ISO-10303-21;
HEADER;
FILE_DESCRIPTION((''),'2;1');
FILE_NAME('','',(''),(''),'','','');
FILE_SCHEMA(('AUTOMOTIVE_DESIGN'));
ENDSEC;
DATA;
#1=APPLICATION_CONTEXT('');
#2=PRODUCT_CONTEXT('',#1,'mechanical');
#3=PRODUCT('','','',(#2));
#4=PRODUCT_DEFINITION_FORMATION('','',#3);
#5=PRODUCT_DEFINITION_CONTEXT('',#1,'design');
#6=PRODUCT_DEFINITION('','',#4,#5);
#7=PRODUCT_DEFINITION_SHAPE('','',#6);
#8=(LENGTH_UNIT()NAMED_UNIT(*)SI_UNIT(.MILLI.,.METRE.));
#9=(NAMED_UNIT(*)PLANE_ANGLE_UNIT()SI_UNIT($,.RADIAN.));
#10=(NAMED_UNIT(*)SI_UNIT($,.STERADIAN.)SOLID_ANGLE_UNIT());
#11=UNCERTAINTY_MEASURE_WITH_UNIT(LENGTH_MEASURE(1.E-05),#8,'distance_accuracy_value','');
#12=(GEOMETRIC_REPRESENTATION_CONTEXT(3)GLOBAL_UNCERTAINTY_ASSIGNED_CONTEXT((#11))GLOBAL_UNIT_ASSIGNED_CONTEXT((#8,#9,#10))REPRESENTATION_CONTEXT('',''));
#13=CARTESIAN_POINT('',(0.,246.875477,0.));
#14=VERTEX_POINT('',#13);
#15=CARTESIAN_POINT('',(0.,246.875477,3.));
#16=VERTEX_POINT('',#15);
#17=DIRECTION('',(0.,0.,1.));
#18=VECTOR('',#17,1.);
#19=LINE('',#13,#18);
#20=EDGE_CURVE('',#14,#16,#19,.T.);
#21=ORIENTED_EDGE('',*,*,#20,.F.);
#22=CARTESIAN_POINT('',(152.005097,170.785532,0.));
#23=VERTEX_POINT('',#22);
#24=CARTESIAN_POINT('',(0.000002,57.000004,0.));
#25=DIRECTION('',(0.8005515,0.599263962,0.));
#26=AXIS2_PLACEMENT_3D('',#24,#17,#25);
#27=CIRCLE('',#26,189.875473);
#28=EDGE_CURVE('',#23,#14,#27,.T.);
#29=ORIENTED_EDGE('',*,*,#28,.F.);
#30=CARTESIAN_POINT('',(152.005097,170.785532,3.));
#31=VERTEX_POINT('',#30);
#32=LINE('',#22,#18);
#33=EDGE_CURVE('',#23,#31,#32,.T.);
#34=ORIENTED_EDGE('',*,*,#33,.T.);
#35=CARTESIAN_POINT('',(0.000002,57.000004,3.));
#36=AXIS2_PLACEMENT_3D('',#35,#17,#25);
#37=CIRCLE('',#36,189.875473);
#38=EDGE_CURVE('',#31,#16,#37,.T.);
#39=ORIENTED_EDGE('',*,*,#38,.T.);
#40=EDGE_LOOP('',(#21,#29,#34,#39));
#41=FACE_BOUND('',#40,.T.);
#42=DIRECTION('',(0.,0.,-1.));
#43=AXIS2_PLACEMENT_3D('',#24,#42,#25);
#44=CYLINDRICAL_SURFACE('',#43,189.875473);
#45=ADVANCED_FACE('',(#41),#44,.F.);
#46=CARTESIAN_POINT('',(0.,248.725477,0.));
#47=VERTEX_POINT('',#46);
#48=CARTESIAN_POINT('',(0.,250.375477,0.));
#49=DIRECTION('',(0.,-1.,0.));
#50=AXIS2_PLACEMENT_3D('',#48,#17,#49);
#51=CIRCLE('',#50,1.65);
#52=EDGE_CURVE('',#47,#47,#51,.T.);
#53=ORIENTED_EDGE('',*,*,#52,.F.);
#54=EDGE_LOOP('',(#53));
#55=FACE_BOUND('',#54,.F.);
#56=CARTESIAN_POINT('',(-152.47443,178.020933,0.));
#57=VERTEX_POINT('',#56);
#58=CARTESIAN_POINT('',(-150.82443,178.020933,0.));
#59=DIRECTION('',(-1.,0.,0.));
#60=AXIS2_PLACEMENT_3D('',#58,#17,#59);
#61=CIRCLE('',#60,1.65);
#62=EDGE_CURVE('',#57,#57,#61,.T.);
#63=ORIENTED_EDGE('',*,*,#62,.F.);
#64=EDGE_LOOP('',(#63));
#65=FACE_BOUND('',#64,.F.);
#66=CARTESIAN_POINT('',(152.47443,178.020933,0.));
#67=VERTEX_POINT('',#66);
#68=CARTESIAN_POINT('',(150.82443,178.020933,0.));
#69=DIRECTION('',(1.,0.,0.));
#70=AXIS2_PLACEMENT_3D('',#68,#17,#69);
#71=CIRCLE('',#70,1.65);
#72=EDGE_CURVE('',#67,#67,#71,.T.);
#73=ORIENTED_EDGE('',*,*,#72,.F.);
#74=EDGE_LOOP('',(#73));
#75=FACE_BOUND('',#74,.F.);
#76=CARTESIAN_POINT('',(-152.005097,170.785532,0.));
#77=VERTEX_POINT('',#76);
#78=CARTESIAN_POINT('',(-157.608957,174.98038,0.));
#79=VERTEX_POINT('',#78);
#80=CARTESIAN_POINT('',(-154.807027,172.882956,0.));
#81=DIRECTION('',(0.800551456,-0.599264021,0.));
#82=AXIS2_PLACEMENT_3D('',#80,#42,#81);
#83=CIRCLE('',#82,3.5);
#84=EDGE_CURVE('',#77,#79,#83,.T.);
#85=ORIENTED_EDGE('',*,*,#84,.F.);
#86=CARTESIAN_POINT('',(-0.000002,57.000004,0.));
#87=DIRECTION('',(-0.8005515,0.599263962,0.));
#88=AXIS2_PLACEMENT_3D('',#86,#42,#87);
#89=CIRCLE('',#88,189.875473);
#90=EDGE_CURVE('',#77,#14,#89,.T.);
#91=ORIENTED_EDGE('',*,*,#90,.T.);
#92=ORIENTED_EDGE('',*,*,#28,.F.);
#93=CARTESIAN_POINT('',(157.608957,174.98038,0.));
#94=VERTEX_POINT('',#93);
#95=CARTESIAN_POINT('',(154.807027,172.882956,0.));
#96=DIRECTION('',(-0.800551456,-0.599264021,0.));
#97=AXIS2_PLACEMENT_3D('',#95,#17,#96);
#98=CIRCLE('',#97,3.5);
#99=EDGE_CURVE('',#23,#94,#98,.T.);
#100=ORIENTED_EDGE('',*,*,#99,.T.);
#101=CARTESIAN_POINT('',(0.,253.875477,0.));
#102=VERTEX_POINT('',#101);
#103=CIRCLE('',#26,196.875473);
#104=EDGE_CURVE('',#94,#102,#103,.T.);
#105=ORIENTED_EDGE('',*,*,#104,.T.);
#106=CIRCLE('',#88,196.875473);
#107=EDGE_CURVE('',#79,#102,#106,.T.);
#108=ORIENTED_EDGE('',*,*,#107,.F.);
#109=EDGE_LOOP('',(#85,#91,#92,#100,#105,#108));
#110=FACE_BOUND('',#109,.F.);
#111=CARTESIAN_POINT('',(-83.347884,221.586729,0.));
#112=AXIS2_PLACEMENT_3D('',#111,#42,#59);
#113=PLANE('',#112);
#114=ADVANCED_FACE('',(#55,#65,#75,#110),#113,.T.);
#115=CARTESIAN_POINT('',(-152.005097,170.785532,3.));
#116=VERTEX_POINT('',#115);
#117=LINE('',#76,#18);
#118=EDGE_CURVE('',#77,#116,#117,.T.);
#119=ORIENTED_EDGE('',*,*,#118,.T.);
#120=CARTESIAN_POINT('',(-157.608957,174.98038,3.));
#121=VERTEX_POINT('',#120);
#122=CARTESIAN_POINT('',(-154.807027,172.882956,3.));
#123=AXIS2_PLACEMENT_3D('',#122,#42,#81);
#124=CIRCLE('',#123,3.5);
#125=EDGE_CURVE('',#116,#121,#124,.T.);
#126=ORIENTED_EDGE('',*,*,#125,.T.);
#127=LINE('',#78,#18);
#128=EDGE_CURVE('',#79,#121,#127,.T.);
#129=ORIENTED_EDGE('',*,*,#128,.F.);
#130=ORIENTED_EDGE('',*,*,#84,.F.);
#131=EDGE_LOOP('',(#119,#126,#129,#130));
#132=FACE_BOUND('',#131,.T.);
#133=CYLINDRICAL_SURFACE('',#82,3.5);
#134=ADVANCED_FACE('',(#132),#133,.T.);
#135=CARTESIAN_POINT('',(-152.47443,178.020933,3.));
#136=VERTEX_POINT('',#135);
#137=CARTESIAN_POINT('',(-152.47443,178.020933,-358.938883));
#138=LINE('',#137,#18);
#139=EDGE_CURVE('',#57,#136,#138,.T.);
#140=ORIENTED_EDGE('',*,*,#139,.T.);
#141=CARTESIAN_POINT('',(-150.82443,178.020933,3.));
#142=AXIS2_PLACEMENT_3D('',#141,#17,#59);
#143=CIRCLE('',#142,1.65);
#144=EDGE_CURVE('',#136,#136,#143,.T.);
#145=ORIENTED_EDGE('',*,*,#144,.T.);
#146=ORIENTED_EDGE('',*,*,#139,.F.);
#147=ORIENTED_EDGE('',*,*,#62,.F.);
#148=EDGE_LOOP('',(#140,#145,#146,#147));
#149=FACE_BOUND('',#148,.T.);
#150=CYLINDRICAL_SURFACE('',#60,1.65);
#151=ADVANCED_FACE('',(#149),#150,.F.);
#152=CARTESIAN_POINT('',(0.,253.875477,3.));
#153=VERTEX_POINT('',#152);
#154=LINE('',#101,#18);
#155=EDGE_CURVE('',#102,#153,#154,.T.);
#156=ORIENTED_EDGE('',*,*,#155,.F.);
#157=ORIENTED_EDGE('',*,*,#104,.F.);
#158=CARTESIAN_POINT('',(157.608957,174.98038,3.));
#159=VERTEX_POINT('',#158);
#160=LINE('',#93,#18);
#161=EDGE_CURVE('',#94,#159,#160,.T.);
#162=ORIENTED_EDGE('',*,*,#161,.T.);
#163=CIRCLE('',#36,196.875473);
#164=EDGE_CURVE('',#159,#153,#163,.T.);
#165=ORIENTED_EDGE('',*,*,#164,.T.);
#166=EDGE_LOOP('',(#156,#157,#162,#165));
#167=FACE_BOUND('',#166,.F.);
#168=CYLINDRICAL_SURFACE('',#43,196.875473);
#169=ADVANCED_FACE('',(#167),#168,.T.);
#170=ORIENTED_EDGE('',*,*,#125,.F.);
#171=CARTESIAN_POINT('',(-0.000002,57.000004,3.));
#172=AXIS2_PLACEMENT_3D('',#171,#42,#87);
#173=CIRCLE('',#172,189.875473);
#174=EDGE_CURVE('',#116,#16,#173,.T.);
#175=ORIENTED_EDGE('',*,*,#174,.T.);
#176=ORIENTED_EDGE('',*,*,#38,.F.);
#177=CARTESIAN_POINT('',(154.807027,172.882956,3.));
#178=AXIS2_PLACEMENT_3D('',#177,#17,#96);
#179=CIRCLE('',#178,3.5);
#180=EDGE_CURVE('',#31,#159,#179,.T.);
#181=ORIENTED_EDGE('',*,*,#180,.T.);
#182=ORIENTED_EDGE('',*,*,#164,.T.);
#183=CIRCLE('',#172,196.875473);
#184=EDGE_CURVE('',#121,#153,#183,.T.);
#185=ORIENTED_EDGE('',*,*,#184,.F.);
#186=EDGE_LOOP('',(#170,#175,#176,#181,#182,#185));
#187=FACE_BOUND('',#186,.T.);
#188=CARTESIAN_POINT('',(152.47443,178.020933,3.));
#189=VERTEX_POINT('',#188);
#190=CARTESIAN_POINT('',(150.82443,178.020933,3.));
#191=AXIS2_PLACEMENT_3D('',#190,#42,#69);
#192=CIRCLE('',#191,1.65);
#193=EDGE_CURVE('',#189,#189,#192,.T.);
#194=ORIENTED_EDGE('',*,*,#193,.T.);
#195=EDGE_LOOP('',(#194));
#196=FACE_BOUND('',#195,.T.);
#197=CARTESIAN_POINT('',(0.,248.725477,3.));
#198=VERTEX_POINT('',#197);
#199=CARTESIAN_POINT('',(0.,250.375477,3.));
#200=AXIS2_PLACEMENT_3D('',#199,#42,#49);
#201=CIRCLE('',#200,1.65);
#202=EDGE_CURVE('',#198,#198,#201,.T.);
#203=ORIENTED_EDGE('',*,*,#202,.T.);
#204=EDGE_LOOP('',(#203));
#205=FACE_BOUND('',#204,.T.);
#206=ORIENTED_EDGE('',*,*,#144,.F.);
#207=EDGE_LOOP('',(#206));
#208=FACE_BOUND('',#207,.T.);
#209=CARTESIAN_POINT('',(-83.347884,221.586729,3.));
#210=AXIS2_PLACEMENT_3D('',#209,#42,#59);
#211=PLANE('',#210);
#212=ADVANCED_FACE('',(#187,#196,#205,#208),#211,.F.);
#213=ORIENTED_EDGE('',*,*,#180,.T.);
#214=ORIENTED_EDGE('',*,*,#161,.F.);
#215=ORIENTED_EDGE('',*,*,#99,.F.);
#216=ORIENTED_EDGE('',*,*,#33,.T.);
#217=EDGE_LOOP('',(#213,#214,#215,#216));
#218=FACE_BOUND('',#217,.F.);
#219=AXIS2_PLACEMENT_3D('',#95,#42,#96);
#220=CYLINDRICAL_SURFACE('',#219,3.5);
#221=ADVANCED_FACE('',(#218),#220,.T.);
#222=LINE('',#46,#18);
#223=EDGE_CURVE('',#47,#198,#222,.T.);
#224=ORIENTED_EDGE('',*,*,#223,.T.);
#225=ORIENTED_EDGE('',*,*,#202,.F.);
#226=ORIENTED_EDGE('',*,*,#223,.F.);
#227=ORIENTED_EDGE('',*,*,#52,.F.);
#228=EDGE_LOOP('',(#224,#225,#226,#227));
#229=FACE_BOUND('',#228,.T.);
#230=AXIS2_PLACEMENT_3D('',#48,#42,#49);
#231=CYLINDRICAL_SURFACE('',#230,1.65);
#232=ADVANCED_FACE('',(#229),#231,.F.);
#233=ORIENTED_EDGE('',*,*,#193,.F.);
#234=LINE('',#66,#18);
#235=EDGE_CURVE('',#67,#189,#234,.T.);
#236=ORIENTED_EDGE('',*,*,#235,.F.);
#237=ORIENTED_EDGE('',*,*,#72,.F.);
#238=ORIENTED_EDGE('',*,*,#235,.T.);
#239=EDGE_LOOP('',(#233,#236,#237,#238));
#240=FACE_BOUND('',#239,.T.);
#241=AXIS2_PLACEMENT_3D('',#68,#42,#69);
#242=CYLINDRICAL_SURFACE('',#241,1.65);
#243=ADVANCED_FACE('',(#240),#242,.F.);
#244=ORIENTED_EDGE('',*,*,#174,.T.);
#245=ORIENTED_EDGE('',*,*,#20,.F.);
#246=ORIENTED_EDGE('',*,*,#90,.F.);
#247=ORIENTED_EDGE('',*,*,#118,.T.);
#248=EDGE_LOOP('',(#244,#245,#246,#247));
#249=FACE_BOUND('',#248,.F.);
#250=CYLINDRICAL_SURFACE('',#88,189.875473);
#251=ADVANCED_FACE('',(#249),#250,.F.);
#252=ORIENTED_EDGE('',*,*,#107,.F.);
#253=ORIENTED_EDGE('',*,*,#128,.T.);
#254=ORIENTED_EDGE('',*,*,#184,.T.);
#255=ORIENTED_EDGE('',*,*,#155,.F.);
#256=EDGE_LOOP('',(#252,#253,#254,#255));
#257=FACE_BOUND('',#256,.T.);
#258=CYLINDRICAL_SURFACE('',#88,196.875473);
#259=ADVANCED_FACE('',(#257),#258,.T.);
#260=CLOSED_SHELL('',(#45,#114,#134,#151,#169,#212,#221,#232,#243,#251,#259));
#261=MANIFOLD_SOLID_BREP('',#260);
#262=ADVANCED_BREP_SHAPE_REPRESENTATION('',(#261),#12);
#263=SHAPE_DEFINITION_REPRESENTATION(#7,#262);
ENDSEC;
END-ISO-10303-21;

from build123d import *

# Parameters (mm, degrees)
PAD015_DEPTH                        = 3
SKETCH054_R                         = 1.65
POCKET018_DEPTH                     = 358.938883
POCKET018_DEPTH_BACK                = 361.938883
BODY001003005003004_PLACEMENT_ANGLE = 60
CLONE024_PLACEMENT_ANGLE            = 60


with BuildPart() as part:
    # Sketch053 → Pad015 (new body)
    with BuildSketch(Plane.XY):
        with BuildLine():
            ThreePointArc((152.005097, 113.785532), (84.992984, 169.790723), (0, 189.875477))
            Line((0, 189.875477), (0, 196.875477))
            ThreePointArc((157.608957, 117.98038), (88.126358, 176.050273), (0, 196.875477))
            ThreePointArc((152.005097, 113.785532), (156.904451, 113.081026), (157.608957, 117.98038))
        make_face()
    pad015 = extrude(amount=PAD015_DEPTH)

    # Sketch054 → Pocket018 (cut, two sides)
    with BuildSketch(Plane.XY) as pocket018_sk:
        with Locations((150.82443, 121.020933)):
            Circle(SKETCH054_R)
        with BuildLine():
            ThreePointArc((0, 191.725477), (1.65, 193.375477), (0, 195.025477))
            Line((0, 191.725477), (0, 195.025477))
        make_face()
    pocket018 = extrude(amount=-POCKET018_DEPTH, mode=Mode.SUBTRACT) + extrude(pocket018_sk.sketch, amount=POCKET018_DEPTH_BACK, mode=Mode.SUBTRACT)

    # Mirrored020: Pad015, Pocket018 across Sketch053 V_Axis
    add(pad015.mirror(Plane(origin=(0, 0, 0), x_dir=(0, 0, 1), z_dir=(1, 0, 0))))
    add(pocket018.mirror(Plane(origin=(0, 0, 0), x_dir=(0, 0, 1), z_dir=(1, 0, 0))), mode=Mode.SUBTRACT)


with BuildPart() as part_1:
    # Body001003005003004 placement: moved
    add(part.part.rotate(Axis((0, 0, 0), (0, 0, 1)), BODY001003005003004_PLACEMENT_ANGLE))


with BuildPart() as part_2:
    # Clone024 placement: moved
    add(part_1.part.moved(Location((0, 57, 0))).rotate(Axis((0, 57, 0), (0, 0, -1)), CLONE024_PLACEMENT_ANGLE))


solid = part_2.part
